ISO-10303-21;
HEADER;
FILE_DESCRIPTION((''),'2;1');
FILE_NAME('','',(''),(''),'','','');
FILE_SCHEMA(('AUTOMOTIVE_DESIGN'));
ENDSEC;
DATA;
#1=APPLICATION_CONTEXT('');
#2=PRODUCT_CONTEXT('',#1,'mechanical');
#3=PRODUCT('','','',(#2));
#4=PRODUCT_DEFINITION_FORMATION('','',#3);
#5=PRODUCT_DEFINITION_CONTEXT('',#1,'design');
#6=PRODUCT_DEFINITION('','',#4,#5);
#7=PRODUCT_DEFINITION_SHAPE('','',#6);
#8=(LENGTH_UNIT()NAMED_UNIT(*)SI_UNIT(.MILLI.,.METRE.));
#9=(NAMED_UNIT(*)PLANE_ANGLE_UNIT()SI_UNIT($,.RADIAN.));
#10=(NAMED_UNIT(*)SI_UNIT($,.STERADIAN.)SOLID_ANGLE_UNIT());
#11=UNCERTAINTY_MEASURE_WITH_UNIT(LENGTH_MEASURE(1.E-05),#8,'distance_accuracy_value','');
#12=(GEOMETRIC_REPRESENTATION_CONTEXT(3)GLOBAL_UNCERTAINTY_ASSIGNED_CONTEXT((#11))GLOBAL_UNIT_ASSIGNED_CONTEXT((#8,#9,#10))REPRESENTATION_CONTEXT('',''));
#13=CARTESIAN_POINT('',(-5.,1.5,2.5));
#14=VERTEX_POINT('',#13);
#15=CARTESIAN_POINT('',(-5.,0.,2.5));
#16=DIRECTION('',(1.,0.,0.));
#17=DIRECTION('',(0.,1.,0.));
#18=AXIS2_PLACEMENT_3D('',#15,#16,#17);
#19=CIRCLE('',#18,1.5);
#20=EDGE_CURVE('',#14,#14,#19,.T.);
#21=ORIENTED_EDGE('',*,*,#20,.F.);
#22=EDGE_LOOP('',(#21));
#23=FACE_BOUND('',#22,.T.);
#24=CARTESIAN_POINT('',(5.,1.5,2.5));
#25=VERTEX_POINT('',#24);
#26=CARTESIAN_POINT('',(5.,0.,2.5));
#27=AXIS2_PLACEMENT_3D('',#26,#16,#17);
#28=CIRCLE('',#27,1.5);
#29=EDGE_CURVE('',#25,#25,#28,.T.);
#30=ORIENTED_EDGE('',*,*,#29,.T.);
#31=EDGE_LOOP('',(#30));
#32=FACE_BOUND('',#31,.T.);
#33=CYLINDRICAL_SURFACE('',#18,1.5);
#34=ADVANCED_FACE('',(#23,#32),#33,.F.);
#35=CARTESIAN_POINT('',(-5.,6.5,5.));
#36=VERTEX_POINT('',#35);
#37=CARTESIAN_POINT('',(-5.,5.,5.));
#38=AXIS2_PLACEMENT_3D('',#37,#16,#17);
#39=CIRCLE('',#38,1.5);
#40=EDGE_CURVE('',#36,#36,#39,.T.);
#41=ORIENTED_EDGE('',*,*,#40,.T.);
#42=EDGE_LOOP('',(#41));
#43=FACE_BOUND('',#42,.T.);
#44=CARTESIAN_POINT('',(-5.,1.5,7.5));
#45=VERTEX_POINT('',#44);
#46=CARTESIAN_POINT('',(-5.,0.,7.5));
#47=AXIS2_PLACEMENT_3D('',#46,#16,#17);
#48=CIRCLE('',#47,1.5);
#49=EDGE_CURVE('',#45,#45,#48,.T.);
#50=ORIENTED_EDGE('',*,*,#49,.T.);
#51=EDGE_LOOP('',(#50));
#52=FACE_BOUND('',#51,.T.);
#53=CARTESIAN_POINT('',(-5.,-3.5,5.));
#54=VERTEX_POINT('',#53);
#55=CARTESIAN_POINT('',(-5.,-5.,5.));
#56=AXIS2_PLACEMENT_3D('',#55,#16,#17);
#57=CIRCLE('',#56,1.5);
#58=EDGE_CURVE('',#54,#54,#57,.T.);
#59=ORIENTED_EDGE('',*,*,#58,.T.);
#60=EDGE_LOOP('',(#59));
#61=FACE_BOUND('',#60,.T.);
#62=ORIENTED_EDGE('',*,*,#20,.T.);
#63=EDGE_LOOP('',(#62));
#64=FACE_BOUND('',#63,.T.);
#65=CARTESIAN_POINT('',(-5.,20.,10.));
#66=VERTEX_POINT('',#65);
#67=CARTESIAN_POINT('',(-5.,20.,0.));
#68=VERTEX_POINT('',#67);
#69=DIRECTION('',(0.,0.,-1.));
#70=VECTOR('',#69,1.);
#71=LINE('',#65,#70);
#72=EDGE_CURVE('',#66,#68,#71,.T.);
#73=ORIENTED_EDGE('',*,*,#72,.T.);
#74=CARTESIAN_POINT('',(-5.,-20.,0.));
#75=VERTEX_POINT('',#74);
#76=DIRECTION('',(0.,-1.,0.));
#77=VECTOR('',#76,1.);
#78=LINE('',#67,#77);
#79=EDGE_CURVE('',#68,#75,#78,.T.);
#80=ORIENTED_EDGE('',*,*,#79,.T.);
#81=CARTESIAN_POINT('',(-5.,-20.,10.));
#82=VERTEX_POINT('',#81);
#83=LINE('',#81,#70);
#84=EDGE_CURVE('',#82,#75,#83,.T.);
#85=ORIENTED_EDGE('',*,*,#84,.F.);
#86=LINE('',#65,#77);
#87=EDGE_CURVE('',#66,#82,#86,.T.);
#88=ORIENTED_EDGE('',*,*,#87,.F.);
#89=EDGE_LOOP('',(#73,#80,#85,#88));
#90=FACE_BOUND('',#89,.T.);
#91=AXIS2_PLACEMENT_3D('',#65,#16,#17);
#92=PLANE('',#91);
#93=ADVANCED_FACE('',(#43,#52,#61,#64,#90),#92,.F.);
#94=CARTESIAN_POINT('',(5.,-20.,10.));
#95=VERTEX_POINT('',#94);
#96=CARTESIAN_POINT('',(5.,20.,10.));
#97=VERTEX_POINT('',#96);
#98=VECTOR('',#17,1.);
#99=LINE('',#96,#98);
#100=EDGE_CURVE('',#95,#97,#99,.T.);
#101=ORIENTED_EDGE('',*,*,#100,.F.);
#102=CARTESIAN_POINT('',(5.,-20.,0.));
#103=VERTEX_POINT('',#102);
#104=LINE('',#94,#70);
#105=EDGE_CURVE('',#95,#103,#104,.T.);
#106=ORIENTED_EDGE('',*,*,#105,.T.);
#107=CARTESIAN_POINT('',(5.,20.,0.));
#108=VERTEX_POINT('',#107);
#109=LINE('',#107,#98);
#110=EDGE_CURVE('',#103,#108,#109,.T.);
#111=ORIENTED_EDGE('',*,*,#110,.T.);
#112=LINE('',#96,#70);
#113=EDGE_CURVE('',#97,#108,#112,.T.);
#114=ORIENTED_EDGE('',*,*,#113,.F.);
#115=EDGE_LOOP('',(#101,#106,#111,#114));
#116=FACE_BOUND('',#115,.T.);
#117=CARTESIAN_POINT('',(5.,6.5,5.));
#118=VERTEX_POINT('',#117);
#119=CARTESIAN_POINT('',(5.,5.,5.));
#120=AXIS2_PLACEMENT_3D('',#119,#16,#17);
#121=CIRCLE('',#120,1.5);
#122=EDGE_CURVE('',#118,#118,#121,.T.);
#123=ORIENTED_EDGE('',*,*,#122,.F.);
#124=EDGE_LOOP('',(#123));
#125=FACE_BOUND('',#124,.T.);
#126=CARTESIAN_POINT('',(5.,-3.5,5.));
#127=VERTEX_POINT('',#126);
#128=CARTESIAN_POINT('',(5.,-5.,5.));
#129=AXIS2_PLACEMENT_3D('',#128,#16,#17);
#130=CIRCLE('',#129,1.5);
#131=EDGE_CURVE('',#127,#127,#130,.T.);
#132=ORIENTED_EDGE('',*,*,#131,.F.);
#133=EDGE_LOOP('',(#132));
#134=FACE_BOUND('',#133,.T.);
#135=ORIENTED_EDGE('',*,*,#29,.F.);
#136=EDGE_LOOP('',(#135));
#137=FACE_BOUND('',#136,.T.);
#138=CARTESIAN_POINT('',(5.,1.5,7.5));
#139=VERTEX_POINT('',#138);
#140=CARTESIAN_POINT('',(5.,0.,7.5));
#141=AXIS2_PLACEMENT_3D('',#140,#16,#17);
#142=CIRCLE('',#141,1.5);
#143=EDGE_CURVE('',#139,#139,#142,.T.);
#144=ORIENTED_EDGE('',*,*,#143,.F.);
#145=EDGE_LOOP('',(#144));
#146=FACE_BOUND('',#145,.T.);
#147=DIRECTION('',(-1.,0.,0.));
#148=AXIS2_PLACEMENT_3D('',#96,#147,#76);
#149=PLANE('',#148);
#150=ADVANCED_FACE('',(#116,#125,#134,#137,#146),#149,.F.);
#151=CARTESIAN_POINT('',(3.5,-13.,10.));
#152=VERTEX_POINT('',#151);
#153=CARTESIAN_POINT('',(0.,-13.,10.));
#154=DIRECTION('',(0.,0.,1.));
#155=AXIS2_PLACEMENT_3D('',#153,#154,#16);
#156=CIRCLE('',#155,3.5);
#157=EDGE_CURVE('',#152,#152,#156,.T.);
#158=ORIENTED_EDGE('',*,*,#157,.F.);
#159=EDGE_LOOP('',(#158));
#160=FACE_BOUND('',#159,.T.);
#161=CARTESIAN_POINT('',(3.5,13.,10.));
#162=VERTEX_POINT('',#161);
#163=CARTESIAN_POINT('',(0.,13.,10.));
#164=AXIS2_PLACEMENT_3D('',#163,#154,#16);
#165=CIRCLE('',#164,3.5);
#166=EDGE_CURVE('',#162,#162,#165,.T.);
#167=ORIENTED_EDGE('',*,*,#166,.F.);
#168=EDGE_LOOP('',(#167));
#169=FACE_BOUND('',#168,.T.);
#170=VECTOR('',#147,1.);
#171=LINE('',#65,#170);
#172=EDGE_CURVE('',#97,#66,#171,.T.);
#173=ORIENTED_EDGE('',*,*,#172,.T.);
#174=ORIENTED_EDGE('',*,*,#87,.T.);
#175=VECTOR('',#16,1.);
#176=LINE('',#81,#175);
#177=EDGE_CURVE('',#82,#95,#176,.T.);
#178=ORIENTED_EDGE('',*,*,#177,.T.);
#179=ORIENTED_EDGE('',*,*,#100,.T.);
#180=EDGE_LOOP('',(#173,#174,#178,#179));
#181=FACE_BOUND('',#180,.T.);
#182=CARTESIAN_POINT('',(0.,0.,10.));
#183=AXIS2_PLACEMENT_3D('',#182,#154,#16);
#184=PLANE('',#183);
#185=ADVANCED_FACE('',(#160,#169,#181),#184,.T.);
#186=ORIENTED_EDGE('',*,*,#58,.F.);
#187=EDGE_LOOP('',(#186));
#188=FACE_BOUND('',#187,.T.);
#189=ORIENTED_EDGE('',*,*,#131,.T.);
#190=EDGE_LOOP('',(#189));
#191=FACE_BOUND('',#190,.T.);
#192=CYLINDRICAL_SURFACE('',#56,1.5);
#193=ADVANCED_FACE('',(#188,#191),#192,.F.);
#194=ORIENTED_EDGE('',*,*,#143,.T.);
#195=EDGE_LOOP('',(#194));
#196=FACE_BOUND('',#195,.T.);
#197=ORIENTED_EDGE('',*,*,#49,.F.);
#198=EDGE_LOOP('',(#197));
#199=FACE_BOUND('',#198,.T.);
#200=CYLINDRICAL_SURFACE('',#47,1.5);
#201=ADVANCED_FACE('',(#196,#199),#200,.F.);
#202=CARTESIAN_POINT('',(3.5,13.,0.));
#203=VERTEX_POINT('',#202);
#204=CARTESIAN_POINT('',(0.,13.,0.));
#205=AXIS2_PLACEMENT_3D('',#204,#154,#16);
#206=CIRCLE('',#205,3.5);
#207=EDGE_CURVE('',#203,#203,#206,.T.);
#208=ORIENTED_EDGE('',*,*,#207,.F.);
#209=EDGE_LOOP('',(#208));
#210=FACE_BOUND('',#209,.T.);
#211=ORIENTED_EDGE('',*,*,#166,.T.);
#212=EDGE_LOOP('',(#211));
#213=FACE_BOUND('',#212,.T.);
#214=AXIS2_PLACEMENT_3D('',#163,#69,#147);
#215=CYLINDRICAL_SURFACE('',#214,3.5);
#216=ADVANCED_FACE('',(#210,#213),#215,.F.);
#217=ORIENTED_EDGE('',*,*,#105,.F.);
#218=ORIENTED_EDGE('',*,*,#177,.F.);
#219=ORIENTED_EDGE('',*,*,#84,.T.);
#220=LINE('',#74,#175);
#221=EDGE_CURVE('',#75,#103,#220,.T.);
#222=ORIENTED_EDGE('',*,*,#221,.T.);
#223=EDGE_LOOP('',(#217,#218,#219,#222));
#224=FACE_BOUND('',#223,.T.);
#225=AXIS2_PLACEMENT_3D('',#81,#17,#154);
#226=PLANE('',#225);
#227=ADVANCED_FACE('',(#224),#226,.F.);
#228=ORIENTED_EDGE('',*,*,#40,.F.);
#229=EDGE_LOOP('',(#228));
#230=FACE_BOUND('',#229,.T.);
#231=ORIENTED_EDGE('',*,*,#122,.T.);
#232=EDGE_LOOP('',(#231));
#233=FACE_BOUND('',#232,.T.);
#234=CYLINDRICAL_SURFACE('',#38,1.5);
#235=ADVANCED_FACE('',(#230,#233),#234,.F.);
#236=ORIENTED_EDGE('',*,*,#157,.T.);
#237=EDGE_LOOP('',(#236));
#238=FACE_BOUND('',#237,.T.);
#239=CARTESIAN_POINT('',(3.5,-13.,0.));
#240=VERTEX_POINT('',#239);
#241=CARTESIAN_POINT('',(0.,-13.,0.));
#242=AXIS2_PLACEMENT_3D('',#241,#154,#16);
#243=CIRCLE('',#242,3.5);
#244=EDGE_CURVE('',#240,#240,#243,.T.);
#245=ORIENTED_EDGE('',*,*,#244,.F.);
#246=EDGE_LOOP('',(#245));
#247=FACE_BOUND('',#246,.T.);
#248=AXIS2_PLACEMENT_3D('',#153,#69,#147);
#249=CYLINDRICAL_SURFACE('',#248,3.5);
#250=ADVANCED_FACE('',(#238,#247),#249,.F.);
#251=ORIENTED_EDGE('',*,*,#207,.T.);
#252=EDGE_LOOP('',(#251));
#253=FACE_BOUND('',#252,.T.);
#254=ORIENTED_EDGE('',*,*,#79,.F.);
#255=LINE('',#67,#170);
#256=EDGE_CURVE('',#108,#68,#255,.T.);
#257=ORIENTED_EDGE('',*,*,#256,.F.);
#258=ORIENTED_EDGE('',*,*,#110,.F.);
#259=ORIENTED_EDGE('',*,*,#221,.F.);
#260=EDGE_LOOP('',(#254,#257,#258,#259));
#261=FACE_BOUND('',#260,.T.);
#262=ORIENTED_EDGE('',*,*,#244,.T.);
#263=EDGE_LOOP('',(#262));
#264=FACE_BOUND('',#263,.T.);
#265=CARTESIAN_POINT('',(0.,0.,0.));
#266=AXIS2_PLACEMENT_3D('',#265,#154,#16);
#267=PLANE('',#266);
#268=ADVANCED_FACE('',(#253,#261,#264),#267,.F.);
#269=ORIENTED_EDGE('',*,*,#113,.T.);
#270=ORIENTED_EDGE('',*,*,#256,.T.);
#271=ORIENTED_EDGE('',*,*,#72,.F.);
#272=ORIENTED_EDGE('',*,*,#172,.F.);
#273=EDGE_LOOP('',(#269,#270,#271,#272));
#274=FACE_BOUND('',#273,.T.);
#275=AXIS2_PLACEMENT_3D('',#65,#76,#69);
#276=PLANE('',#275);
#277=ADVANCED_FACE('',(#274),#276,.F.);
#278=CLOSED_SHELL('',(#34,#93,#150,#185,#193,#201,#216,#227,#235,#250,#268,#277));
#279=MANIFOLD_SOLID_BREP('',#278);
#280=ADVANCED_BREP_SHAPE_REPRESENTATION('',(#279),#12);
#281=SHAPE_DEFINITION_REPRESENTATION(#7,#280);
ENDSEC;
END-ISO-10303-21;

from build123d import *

# Parameters (mm, degrees)
SKETCH_1_W          = 10
SKETCH_1_H          = 40
SKETCH_1_R          = 3.5
EXTRUDE_1_DEPTH     = 10
SKETCH_2_R          = 1.5
CUT_EXTRUDE_1_DEPTH = 25.494897428


with BuildPart() as part:
    # 草图1 → 凸台-拉伸1 (new body)
    with BuildSketch(Plane.XY):
        Rectangle(SKETCH_1_W, SKETCH_1_H)
        with Locations((0, 13)):
            Circle(SKETCH_1_R, mode=Mode.SUBTRACT)
        with Locations((0, -13)):
            Circle(SKETCH_1_R, mode=Mode.SUBTRACT)
    extrude(amount=EXTRUDE_1_DEPTH)

    # 草图2 → 切除-拉伸1 (cut, through all)
    with BuildSketch(Plane(origin=(5, 0, 0), x_dir=(0, 0, -1), z_dir=(1, 0, 0))):
        with Locations(Location((-5, 5, 0), (0, 0, 90))):
            Circle(SKETCH_2_R)
        with Locations(Location((-5, -5, 0), (0, 0, 90))):
            Circle(SKETCH_2_R)
        with Locations(Location((-2.5, 0, 0), (0, 0, 90))):
            Circle(SKETCH_2_R)
        with Locations(Location((-7.5, 0, 0), (0, 0, 90))):
            Circle(SKETCH_2_R)
    extrude(amount=-CUT_EXTRUDE_1_DEPTH, mode=Mode.SUBTRACT)


solid = part.part
